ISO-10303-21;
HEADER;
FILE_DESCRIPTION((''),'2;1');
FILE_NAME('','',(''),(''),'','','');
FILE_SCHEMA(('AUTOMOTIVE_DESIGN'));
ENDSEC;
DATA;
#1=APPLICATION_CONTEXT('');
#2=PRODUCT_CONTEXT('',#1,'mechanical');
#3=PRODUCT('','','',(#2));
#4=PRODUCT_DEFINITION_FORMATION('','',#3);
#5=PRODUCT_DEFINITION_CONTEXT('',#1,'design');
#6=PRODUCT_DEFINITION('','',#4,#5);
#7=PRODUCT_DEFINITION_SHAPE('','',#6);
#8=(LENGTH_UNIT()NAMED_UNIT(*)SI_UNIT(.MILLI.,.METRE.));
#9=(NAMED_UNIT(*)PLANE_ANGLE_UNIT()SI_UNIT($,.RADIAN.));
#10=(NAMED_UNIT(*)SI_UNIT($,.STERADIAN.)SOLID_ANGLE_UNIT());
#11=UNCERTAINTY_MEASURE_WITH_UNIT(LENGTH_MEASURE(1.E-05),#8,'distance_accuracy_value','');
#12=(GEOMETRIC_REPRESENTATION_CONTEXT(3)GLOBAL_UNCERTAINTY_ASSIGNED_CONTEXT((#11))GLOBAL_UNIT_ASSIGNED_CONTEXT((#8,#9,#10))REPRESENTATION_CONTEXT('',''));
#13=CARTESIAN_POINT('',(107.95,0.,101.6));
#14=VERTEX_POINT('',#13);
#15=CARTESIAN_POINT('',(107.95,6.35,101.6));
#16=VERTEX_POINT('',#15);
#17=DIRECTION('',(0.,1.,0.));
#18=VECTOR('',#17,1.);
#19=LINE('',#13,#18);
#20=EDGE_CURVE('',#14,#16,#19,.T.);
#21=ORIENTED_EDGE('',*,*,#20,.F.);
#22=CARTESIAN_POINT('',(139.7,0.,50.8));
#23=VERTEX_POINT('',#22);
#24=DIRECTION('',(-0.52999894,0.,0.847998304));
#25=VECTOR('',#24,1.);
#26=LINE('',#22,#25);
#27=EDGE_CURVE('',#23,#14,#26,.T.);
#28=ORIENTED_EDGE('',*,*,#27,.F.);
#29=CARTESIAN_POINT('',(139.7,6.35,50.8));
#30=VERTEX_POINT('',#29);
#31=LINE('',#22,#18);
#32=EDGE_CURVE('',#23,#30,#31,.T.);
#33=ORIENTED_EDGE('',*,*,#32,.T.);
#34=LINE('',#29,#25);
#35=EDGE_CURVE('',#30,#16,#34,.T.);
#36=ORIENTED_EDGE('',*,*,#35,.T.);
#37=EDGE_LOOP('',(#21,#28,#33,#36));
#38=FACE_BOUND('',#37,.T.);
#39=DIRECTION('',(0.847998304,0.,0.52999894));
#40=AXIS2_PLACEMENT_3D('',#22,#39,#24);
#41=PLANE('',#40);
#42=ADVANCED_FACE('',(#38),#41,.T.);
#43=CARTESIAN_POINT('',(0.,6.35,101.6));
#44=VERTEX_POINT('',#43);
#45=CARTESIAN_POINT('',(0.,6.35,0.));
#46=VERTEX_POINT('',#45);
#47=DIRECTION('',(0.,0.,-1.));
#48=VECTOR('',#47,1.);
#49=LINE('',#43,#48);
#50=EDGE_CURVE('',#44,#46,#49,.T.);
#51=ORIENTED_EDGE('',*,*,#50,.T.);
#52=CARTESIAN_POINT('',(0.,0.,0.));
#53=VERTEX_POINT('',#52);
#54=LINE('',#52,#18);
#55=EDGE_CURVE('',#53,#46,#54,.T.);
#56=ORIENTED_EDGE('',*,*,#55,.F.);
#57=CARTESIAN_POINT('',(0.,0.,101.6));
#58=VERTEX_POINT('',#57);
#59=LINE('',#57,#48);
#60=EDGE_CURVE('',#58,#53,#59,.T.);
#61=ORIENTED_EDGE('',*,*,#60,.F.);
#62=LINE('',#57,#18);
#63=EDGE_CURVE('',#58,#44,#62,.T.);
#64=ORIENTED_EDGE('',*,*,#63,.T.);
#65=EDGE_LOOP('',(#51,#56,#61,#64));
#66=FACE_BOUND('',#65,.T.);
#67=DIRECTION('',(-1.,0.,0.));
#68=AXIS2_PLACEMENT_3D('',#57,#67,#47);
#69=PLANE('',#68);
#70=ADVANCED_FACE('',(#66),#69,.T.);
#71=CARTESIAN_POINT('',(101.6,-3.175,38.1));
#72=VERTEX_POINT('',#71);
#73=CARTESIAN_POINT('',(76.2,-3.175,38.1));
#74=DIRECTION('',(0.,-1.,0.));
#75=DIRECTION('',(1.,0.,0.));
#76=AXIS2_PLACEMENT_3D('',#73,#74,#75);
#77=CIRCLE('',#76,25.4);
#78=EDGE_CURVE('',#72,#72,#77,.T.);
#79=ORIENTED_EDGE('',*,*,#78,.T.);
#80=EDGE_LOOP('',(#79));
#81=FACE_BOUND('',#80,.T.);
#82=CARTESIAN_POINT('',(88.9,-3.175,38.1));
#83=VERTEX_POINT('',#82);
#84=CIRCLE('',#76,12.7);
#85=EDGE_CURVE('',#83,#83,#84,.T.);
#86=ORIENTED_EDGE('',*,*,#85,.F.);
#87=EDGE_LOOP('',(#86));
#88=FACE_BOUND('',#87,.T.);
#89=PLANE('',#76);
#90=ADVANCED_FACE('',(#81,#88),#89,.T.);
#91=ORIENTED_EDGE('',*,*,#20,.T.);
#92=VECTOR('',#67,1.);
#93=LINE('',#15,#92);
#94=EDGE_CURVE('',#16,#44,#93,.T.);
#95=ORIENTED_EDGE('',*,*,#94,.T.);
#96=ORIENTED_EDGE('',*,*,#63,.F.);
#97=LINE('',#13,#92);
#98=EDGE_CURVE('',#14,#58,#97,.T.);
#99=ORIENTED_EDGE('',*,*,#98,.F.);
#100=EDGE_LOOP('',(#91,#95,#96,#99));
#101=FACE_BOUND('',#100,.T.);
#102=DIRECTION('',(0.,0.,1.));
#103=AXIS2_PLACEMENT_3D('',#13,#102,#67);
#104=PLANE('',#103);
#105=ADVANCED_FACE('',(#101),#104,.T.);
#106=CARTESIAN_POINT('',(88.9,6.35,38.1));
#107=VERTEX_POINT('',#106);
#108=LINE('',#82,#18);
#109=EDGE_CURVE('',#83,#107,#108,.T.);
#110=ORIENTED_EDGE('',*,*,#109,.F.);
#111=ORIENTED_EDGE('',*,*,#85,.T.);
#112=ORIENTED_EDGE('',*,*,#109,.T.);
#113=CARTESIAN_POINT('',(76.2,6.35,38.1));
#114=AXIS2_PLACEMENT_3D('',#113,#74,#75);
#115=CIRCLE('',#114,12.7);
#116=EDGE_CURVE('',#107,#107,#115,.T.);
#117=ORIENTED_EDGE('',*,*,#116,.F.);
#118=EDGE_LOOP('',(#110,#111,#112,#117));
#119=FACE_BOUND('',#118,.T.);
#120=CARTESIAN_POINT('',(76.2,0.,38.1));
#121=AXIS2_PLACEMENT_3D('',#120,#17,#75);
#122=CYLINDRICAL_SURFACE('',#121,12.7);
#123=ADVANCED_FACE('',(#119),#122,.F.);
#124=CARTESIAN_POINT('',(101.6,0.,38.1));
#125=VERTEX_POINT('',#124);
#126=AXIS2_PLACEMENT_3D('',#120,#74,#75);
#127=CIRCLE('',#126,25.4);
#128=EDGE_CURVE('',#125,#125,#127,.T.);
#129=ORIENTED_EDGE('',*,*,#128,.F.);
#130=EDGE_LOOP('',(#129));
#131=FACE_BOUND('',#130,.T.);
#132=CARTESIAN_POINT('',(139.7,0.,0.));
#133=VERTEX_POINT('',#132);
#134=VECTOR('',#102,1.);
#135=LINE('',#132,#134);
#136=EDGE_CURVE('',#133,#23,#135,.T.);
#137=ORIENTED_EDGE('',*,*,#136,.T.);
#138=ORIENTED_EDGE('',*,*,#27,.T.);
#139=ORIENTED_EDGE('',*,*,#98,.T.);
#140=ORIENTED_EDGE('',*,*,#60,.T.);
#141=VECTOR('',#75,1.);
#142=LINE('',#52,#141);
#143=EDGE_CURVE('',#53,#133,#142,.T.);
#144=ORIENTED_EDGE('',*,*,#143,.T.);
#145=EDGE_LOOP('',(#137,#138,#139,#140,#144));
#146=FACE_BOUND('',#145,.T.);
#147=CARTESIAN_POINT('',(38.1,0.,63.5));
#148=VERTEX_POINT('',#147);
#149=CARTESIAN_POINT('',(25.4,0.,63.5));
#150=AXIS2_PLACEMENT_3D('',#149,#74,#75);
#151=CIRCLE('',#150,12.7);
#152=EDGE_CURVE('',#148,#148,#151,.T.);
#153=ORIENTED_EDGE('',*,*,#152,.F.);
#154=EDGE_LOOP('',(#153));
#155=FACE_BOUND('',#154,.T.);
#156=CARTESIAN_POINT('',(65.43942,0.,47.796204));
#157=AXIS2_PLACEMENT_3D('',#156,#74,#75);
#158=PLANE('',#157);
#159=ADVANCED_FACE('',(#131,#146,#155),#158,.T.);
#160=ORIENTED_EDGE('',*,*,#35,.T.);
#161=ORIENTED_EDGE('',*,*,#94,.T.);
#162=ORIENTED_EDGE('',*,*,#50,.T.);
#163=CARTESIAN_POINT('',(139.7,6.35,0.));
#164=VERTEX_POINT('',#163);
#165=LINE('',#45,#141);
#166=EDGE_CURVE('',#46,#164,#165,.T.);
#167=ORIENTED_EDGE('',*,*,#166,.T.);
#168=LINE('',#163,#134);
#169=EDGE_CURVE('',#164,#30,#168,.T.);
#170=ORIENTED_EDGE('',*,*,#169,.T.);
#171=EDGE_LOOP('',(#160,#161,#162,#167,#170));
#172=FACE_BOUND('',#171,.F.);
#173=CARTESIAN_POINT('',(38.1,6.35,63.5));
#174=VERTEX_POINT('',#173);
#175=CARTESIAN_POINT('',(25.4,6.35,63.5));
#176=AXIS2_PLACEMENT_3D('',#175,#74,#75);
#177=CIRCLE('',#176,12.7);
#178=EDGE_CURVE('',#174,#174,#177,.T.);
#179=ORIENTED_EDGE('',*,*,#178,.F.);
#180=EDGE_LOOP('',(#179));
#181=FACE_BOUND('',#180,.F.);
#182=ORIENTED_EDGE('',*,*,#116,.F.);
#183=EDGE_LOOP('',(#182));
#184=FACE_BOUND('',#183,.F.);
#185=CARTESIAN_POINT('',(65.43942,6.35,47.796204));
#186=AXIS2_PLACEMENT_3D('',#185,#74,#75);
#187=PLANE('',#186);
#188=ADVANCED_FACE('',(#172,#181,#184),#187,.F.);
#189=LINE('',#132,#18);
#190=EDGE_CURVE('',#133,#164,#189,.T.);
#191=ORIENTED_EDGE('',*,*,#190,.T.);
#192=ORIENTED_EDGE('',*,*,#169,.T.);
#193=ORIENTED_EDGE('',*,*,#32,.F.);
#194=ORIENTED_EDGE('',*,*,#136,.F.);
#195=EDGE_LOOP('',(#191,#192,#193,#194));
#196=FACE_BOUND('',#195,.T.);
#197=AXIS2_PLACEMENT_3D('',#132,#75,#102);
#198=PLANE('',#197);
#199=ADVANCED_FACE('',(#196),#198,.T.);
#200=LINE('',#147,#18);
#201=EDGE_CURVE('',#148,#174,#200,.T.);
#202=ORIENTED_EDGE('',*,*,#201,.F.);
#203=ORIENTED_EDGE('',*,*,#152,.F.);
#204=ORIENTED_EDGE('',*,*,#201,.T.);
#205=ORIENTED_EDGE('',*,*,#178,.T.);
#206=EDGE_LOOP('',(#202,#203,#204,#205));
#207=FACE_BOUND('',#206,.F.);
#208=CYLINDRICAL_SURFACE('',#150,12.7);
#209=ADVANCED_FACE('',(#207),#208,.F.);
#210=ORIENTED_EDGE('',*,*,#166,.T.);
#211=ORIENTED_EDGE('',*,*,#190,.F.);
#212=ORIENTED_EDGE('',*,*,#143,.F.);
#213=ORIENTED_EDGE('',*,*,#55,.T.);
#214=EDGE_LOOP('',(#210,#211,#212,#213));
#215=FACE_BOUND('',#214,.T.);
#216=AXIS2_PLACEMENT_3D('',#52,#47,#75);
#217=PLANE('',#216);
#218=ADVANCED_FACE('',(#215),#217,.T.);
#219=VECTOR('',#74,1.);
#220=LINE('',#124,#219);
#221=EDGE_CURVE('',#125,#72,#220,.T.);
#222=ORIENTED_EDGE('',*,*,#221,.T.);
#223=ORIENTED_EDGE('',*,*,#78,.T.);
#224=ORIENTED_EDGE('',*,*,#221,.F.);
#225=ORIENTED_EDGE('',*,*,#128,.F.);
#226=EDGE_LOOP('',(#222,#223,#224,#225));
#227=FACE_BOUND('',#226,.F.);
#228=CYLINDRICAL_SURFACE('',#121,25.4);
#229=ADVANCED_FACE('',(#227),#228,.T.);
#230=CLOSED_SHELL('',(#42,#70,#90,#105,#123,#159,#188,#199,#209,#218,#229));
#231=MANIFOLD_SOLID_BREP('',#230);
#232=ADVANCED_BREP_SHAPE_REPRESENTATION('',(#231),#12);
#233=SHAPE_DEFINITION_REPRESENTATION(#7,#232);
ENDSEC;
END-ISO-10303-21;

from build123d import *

# Parameters (mm, degrees)
F0_R     = 25.4
F0_R_2   = 12.7
F1_DEPTH = 6.35
F2_DEPTH = 3.175


with BuildPart() as f1:
    # F0 (on Front) → F1 (new body)
    with BuildSketch(Plane.XZ):
        Polygon((0, 38.1), (0, 0), (25.4, 0), (76.2, 0), (139.7, 0), (139.7, 50.8), (107.95, 101.6), (0, 101.6), (0, 63.5), align=None)
        with Locations((76.2, 38.1)):
            Circle(F0_R, mode=Mode.SUBTRACT)
        with Locations((25.4, 63.5)):
            Circle(F0_R_2, mode=Mode.SUBTRACT)
        with Locations((76.2, 38.1)):
            Circle(F0_R)
        with Locations((76.2, 38.1)):
            Circle(F0_R_2, mode=Mode.SUBTRACT)
    extrude(amount=-F1_DEPTH)

    # F0 (on Front) → F2 (join)
    with BuildSketch(Plane.XZ):
        with Locations((76.2, 38.1)):
            Circle(F0_R)
        with Locations((76.2, 38.1)):
            Circle(F0_R_2, mode=Mode.SUBTRACT)
    extrude(amount=F2_DEPTH)


solid = f1.part
